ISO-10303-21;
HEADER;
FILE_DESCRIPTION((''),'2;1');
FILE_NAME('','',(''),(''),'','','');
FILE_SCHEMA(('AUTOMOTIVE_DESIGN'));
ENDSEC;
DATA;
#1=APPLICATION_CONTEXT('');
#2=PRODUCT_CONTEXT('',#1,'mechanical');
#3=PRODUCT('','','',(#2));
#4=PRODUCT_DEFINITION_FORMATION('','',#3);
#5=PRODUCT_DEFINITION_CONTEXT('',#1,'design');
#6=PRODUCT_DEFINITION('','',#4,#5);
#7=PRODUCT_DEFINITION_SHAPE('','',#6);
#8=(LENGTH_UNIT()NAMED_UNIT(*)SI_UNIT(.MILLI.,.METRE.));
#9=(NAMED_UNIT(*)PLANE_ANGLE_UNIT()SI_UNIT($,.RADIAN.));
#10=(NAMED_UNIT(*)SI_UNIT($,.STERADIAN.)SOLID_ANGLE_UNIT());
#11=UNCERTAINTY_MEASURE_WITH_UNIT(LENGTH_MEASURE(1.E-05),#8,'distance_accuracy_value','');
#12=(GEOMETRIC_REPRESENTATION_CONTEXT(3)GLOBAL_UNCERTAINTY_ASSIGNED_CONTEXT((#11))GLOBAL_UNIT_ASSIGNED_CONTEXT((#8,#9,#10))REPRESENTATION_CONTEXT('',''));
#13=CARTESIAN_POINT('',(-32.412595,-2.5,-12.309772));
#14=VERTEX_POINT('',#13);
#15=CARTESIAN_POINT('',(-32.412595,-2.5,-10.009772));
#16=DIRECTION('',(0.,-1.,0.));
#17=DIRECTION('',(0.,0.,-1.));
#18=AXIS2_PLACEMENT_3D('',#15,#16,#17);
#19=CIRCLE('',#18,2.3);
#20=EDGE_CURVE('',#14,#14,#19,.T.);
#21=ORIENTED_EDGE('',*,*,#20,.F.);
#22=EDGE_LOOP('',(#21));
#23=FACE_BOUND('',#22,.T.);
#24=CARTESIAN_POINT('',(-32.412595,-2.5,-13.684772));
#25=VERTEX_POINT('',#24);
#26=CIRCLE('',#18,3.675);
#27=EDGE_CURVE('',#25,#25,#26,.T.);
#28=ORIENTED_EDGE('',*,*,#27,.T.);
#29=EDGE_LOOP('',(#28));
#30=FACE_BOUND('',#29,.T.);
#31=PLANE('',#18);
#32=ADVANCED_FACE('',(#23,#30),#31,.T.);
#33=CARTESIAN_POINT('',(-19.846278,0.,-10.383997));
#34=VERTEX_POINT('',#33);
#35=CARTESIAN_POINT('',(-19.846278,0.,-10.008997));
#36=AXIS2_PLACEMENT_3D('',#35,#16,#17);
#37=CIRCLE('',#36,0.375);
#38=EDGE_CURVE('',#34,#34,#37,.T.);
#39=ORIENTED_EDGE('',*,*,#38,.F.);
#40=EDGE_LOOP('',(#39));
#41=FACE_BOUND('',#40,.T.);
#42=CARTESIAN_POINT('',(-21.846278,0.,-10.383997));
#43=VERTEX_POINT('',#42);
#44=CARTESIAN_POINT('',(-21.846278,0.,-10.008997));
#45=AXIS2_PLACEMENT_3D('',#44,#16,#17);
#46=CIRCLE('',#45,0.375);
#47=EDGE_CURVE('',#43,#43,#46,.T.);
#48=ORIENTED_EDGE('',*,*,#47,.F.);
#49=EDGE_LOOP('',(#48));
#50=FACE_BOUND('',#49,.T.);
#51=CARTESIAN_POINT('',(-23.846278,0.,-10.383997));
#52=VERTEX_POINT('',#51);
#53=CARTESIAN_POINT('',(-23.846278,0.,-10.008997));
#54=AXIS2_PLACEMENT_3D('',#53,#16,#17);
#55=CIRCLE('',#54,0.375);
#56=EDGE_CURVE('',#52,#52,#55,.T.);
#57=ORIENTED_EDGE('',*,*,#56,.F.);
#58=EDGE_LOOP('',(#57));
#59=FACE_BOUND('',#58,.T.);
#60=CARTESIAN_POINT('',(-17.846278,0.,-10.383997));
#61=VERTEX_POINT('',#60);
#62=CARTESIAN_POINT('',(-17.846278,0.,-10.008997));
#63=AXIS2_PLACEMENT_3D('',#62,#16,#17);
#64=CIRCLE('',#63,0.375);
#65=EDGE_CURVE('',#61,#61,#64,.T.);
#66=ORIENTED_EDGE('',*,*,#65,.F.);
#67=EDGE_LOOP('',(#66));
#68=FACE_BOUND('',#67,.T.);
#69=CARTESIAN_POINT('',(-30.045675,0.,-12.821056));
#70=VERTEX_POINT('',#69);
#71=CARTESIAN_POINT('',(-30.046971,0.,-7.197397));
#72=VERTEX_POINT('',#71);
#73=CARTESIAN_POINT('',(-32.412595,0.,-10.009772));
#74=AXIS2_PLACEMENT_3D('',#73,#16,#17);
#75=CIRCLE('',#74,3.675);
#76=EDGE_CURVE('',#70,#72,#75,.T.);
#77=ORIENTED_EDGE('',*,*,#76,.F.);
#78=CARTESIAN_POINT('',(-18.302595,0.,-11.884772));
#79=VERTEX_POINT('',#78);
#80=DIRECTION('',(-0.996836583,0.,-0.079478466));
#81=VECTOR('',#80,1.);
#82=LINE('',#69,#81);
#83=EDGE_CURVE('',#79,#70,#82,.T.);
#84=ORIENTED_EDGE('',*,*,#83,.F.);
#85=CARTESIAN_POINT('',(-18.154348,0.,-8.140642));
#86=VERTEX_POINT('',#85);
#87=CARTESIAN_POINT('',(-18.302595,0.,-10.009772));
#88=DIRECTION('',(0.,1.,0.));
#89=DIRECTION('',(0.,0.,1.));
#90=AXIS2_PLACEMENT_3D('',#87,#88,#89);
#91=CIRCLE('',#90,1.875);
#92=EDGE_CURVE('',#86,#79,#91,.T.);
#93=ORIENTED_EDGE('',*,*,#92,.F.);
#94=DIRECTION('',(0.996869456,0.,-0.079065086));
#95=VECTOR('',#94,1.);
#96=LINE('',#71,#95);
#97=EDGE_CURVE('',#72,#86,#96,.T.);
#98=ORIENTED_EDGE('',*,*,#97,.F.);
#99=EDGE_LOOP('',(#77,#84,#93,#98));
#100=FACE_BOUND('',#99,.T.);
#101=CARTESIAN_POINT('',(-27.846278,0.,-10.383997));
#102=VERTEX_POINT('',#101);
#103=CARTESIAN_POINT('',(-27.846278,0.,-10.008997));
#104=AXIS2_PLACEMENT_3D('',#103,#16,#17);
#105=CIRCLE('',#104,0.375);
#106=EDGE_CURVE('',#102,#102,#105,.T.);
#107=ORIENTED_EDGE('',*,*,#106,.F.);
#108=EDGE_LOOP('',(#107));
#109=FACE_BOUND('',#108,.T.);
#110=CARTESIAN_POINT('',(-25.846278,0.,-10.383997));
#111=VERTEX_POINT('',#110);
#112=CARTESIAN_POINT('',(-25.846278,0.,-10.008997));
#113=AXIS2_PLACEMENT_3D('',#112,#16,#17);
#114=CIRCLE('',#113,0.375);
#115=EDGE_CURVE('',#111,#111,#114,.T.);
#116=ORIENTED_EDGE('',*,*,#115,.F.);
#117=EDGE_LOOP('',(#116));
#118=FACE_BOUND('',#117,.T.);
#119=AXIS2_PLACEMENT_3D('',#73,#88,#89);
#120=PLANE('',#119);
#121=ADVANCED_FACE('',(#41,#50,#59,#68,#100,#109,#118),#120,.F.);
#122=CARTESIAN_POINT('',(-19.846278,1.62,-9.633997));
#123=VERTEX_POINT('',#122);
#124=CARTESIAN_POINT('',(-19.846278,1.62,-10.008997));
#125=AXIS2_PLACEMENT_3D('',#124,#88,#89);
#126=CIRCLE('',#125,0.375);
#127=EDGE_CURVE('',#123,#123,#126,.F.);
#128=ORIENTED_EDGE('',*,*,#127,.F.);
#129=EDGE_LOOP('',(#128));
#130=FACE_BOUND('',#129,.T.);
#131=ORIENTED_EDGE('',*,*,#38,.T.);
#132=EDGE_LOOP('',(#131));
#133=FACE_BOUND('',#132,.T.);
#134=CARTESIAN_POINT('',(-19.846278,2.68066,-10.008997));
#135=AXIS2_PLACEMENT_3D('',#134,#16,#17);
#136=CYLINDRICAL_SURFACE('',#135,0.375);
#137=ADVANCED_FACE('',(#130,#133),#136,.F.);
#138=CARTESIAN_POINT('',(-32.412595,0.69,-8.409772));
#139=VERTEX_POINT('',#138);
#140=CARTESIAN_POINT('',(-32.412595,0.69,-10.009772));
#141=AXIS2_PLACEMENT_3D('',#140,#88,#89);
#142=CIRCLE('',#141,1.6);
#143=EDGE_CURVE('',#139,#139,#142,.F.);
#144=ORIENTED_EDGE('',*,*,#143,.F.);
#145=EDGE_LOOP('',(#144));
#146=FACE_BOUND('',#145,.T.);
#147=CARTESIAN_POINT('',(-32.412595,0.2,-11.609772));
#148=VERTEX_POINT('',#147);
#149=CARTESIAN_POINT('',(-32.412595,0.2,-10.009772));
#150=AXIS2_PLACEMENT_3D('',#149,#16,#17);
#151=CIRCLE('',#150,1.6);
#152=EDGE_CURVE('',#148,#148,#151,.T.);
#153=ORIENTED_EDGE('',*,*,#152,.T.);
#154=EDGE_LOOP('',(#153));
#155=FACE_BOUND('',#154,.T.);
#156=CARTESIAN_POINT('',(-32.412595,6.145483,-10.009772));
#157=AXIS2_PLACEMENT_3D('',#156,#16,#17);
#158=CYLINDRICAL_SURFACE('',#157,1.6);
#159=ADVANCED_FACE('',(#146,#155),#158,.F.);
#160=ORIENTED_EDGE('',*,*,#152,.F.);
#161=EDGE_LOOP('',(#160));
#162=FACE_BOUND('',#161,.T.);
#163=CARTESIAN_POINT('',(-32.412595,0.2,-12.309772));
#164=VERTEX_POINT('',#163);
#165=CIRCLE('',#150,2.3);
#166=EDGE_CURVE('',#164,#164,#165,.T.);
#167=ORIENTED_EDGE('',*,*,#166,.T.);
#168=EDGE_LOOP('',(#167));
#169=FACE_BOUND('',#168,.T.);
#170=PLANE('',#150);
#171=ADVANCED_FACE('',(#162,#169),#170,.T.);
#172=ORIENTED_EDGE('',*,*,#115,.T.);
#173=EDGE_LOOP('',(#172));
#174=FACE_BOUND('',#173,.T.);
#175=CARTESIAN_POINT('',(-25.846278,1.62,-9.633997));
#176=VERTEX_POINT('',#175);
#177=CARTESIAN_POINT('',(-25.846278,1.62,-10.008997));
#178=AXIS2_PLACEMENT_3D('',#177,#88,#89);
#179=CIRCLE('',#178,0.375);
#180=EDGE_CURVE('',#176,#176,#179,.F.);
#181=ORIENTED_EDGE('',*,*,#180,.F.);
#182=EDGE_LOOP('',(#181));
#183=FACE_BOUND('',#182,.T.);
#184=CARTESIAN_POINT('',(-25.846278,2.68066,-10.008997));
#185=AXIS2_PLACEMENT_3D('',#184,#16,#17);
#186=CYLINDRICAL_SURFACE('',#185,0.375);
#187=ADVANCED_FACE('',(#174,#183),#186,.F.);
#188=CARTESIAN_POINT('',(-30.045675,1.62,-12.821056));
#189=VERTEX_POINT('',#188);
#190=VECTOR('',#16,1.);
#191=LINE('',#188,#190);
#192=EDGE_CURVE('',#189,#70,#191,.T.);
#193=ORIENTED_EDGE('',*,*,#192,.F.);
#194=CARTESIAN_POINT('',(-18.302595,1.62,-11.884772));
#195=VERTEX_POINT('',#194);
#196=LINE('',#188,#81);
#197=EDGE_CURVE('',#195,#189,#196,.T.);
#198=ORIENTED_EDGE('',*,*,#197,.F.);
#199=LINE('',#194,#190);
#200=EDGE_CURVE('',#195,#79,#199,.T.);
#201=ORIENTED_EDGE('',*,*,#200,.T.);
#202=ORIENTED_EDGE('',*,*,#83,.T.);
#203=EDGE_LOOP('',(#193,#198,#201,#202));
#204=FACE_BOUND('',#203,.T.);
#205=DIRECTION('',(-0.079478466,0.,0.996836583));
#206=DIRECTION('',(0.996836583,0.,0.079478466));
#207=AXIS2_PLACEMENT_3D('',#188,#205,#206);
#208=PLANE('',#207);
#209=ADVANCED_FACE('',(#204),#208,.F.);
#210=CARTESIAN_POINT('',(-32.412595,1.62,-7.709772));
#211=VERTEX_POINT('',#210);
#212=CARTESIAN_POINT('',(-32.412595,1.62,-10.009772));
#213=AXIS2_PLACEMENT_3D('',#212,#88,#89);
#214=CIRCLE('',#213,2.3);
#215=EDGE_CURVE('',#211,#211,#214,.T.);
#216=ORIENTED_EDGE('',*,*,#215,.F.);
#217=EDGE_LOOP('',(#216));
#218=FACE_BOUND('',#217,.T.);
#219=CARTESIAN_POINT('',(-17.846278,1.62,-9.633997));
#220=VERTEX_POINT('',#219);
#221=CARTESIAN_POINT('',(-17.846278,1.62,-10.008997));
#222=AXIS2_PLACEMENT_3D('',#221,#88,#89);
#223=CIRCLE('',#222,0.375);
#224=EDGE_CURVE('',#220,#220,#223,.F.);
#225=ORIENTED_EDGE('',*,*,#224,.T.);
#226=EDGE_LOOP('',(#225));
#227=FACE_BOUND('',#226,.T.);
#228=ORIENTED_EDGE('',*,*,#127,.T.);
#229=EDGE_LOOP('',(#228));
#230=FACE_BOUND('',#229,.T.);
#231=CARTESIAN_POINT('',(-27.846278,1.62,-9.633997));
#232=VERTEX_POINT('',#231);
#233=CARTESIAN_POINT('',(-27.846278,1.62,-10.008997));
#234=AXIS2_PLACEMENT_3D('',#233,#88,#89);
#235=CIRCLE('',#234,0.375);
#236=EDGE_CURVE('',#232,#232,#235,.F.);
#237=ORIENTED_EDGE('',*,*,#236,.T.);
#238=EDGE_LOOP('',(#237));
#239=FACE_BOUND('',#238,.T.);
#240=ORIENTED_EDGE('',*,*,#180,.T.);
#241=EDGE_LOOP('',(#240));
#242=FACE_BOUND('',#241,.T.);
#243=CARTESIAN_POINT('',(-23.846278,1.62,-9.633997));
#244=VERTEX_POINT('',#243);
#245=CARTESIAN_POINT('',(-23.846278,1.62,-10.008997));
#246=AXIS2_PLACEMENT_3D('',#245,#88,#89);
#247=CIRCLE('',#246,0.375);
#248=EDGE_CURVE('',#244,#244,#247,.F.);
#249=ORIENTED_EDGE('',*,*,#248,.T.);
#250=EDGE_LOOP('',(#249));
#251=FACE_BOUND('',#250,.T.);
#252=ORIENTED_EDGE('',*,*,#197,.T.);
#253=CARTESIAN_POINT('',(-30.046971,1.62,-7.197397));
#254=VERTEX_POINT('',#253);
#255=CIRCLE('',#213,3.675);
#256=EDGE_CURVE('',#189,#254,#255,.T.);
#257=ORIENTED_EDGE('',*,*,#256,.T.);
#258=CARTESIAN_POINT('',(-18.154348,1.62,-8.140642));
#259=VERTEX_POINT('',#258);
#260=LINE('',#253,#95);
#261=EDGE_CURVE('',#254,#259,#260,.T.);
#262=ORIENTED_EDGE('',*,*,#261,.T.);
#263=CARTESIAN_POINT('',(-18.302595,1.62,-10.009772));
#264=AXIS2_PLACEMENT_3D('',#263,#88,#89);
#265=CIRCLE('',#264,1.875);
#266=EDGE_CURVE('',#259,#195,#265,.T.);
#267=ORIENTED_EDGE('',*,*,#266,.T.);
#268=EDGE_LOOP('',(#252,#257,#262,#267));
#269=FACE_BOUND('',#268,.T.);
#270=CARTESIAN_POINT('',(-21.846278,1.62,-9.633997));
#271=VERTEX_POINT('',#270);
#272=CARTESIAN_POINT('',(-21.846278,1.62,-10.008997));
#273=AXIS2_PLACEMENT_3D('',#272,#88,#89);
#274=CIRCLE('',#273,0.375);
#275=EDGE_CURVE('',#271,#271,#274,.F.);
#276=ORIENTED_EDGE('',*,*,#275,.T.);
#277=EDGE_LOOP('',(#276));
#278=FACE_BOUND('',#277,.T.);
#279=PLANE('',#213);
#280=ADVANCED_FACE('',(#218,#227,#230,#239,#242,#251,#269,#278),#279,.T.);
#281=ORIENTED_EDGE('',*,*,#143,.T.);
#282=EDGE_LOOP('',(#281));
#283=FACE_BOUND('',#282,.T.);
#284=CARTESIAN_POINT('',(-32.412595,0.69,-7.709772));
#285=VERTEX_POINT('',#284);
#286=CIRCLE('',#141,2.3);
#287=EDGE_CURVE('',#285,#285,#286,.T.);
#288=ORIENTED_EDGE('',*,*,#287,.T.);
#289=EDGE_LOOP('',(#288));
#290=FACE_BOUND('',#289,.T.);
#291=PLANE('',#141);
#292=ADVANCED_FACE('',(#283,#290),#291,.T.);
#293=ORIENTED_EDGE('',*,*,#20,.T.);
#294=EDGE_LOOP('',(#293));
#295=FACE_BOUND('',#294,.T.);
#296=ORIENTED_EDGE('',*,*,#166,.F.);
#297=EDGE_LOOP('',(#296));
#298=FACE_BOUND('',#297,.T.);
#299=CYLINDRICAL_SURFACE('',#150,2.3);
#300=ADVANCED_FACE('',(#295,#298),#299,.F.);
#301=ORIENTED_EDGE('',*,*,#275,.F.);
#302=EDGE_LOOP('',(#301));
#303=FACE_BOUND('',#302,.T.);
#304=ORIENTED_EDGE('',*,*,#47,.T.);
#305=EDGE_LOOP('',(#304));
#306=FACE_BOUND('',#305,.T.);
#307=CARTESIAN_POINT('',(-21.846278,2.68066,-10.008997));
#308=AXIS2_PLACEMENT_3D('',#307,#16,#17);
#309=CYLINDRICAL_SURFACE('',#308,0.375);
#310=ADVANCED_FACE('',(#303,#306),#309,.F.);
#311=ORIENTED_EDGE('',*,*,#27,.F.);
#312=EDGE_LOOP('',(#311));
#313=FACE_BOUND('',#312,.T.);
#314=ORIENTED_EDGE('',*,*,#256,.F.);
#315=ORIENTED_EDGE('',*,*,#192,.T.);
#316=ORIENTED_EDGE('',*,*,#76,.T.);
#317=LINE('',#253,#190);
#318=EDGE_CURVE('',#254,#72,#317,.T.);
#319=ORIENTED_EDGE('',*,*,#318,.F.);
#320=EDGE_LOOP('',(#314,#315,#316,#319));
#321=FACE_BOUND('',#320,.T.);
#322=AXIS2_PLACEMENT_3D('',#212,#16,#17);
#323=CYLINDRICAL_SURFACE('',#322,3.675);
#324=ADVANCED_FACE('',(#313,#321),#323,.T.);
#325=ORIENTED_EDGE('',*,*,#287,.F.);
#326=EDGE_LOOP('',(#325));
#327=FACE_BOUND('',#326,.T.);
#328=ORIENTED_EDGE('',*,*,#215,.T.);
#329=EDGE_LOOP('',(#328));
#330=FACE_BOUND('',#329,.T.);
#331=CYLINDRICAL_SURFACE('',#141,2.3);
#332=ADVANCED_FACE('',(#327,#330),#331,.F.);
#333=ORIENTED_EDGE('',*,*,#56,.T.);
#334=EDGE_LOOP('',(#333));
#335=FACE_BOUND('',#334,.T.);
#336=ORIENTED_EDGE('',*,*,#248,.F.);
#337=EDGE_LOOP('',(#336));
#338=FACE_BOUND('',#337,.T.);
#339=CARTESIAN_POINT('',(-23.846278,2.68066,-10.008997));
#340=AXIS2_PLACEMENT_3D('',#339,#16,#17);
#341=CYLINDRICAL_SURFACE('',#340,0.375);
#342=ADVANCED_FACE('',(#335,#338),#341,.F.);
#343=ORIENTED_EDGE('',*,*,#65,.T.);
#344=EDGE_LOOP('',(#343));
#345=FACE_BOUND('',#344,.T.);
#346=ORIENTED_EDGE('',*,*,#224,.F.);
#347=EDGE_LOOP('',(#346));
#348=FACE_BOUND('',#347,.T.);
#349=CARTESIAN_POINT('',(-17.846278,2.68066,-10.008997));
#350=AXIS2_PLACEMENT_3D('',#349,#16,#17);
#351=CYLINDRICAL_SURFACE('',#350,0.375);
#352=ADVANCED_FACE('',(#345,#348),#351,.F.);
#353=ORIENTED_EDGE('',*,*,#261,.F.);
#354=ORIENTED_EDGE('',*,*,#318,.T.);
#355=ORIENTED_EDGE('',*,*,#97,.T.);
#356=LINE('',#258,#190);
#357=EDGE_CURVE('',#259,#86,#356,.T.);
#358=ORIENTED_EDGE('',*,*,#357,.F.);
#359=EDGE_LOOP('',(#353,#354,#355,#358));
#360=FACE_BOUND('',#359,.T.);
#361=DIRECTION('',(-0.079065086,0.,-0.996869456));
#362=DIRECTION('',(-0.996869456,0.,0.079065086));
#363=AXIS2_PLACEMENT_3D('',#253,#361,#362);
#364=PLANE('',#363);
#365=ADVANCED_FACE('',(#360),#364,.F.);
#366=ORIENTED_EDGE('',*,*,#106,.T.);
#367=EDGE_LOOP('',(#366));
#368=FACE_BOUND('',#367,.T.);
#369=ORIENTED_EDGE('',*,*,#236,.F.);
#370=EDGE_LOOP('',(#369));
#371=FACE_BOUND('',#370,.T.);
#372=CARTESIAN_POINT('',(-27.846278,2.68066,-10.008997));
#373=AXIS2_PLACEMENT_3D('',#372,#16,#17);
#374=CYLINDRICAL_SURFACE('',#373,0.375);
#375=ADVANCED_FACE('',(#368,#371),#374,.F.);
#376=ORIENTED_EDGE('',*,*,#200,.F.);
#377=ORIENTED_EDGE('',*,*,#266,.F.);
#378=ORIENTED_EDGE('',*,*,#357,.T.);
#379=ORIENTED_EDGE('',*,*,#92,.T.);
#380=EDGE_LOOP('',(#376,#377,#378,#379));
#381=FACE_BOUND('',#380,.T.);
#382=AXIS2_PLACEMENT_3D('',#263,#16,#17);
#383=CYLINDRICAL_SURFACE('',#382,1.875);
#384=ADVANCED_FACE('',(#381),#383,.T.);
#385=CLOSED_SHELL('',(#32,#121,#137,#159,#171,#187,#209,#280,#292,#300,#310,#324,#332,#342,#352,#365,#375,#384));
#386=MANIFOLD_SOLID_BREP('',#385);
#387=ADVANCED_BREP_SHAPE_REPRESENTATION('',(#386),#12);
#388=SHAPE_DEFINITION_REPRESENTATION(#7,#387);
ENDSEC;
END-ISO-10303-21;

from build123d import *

# Parameters (mm, degrees)
BOSS_EXTRUDE1_DEPTH = 1.62
SKETCH2_R           = 3.675
BOSS_EXTRUDE2_DEPTH = 2.5
SKETCH3_R           = 2.3
SKETCH3_R_2         = 1.6
CUT_EXTRUDE1_DEPTH  = 2.7
SKETCH4_R           = 1.6
CUT_EXTRUDE2_DEPTH  = 4.12
SKETCH5_R           = 2.3
CUT_EXTRUDE3_DEPTH  = 0.93
SKETCH7_R           = 0.375
CUT_EXTRUDE4_DEPTH  = 1.62


with BuildPart() as part:
    # Sketch1 → Boss-Extrude1 (new body)
    with BuildSketch(Plane(origin=(0, 0, 0), x_dir=(1, 0, 0), z_dir=(0, 1, 0))):
        with BuildLine():
            Line((-30.04567513, 12.821055753), (-18.302594635, 11.884771872))
            ThreePointArc((-18.302594635, 11.884771872), (-16.429062652, 10.083953465), (-18.15434761, 8.140641642))
            Line((-18.15434761, 8.140641642), (-30.046970978, 7.197397481))
            ThreePointArc((-30.046970978, 7.197397481), (-36.087594537, 10.010618695), (-30.04567513, 12.821055753))
        make_face()
    extrude(amount=BOSS_EXTRUDE1_DEPTH)

    # Sketch2 → Boss-Extrude2 (add)
    with BuildSketch(Plane.XZ):
        with Locations((-32.412594635, -10.009771872)):
            Circle(SKETCH2_R)
    extrude(amount=BOSS_EXTRUDE2_DEPTH)

    # Sketch3 → Cut-Extrude1 (cut)
    with BuildSketch(Plane.XZ.offset(2.5)):
        with Locations((-32.412594635, -10.009771872)):
            Circle(SKETCH3_R)
        with Locations((-32.412594635, -10.009771872)):
            Circle(SKETCH3_R_2, mode=Mode.SUBTRACT)
    extrude(amount=-CUT_EXTRUDE1_DEPTH, mode=Mode.SUBTRACT)

    # Sketch4 → Cut-Extrude2 (cut)
    with BuildSketch(Plane.XZ.offset(2.5)):
        with Locations((-32.412594635, -10.009771872)):
            Circle(SKETCH4_R)
    extrude(amount=-CUT_EXTRUDE2_DEPTH, mode=Mode.SUBTRACT)

    # Sketch5 → Cut-Extrude3 (cut)
    with BuildSketch(Plane(origin=(0, 1.62, 0), x_dir=(1, 0, 0), z_dir=(0, 1, 0))):
        with Locations((-32.412594635, 10.009771872)):
            Circle(SKETCH5_R)
    extrude(amount=-CUT_EXTRUDE3_DEPTH, mode=Mode.SUBTRACT)

    # Sketch7 → Cut-Extrude4 (cut)
    with BuildSketch(Plane.XZ):
        with Locations((-27.846278089, -10.008997382)):
            Circle(SKETCH7_R)
        with Locations((-25.846278089, -10.008997382)):
            Circle(SKETCH7_R)
        with Locations((-23.846278089, -10.008997382)):
            Circle(SKETCH7_R)
        with Locations((-21.846278089, -10.008997382)):
            Circle(SKETCH7_R)
        with Locations((-19.846278089, -10.008997382)):
            Circle(SKETCH7_R)
        with Locations((-17.846278089, -10.008997382)):
            Circle(SKETCH7_R)
    extrude(amount=-CUT_EXTRUDE4_DEPTH, mode=Mode.SUBTRACT)


solid = part.part
